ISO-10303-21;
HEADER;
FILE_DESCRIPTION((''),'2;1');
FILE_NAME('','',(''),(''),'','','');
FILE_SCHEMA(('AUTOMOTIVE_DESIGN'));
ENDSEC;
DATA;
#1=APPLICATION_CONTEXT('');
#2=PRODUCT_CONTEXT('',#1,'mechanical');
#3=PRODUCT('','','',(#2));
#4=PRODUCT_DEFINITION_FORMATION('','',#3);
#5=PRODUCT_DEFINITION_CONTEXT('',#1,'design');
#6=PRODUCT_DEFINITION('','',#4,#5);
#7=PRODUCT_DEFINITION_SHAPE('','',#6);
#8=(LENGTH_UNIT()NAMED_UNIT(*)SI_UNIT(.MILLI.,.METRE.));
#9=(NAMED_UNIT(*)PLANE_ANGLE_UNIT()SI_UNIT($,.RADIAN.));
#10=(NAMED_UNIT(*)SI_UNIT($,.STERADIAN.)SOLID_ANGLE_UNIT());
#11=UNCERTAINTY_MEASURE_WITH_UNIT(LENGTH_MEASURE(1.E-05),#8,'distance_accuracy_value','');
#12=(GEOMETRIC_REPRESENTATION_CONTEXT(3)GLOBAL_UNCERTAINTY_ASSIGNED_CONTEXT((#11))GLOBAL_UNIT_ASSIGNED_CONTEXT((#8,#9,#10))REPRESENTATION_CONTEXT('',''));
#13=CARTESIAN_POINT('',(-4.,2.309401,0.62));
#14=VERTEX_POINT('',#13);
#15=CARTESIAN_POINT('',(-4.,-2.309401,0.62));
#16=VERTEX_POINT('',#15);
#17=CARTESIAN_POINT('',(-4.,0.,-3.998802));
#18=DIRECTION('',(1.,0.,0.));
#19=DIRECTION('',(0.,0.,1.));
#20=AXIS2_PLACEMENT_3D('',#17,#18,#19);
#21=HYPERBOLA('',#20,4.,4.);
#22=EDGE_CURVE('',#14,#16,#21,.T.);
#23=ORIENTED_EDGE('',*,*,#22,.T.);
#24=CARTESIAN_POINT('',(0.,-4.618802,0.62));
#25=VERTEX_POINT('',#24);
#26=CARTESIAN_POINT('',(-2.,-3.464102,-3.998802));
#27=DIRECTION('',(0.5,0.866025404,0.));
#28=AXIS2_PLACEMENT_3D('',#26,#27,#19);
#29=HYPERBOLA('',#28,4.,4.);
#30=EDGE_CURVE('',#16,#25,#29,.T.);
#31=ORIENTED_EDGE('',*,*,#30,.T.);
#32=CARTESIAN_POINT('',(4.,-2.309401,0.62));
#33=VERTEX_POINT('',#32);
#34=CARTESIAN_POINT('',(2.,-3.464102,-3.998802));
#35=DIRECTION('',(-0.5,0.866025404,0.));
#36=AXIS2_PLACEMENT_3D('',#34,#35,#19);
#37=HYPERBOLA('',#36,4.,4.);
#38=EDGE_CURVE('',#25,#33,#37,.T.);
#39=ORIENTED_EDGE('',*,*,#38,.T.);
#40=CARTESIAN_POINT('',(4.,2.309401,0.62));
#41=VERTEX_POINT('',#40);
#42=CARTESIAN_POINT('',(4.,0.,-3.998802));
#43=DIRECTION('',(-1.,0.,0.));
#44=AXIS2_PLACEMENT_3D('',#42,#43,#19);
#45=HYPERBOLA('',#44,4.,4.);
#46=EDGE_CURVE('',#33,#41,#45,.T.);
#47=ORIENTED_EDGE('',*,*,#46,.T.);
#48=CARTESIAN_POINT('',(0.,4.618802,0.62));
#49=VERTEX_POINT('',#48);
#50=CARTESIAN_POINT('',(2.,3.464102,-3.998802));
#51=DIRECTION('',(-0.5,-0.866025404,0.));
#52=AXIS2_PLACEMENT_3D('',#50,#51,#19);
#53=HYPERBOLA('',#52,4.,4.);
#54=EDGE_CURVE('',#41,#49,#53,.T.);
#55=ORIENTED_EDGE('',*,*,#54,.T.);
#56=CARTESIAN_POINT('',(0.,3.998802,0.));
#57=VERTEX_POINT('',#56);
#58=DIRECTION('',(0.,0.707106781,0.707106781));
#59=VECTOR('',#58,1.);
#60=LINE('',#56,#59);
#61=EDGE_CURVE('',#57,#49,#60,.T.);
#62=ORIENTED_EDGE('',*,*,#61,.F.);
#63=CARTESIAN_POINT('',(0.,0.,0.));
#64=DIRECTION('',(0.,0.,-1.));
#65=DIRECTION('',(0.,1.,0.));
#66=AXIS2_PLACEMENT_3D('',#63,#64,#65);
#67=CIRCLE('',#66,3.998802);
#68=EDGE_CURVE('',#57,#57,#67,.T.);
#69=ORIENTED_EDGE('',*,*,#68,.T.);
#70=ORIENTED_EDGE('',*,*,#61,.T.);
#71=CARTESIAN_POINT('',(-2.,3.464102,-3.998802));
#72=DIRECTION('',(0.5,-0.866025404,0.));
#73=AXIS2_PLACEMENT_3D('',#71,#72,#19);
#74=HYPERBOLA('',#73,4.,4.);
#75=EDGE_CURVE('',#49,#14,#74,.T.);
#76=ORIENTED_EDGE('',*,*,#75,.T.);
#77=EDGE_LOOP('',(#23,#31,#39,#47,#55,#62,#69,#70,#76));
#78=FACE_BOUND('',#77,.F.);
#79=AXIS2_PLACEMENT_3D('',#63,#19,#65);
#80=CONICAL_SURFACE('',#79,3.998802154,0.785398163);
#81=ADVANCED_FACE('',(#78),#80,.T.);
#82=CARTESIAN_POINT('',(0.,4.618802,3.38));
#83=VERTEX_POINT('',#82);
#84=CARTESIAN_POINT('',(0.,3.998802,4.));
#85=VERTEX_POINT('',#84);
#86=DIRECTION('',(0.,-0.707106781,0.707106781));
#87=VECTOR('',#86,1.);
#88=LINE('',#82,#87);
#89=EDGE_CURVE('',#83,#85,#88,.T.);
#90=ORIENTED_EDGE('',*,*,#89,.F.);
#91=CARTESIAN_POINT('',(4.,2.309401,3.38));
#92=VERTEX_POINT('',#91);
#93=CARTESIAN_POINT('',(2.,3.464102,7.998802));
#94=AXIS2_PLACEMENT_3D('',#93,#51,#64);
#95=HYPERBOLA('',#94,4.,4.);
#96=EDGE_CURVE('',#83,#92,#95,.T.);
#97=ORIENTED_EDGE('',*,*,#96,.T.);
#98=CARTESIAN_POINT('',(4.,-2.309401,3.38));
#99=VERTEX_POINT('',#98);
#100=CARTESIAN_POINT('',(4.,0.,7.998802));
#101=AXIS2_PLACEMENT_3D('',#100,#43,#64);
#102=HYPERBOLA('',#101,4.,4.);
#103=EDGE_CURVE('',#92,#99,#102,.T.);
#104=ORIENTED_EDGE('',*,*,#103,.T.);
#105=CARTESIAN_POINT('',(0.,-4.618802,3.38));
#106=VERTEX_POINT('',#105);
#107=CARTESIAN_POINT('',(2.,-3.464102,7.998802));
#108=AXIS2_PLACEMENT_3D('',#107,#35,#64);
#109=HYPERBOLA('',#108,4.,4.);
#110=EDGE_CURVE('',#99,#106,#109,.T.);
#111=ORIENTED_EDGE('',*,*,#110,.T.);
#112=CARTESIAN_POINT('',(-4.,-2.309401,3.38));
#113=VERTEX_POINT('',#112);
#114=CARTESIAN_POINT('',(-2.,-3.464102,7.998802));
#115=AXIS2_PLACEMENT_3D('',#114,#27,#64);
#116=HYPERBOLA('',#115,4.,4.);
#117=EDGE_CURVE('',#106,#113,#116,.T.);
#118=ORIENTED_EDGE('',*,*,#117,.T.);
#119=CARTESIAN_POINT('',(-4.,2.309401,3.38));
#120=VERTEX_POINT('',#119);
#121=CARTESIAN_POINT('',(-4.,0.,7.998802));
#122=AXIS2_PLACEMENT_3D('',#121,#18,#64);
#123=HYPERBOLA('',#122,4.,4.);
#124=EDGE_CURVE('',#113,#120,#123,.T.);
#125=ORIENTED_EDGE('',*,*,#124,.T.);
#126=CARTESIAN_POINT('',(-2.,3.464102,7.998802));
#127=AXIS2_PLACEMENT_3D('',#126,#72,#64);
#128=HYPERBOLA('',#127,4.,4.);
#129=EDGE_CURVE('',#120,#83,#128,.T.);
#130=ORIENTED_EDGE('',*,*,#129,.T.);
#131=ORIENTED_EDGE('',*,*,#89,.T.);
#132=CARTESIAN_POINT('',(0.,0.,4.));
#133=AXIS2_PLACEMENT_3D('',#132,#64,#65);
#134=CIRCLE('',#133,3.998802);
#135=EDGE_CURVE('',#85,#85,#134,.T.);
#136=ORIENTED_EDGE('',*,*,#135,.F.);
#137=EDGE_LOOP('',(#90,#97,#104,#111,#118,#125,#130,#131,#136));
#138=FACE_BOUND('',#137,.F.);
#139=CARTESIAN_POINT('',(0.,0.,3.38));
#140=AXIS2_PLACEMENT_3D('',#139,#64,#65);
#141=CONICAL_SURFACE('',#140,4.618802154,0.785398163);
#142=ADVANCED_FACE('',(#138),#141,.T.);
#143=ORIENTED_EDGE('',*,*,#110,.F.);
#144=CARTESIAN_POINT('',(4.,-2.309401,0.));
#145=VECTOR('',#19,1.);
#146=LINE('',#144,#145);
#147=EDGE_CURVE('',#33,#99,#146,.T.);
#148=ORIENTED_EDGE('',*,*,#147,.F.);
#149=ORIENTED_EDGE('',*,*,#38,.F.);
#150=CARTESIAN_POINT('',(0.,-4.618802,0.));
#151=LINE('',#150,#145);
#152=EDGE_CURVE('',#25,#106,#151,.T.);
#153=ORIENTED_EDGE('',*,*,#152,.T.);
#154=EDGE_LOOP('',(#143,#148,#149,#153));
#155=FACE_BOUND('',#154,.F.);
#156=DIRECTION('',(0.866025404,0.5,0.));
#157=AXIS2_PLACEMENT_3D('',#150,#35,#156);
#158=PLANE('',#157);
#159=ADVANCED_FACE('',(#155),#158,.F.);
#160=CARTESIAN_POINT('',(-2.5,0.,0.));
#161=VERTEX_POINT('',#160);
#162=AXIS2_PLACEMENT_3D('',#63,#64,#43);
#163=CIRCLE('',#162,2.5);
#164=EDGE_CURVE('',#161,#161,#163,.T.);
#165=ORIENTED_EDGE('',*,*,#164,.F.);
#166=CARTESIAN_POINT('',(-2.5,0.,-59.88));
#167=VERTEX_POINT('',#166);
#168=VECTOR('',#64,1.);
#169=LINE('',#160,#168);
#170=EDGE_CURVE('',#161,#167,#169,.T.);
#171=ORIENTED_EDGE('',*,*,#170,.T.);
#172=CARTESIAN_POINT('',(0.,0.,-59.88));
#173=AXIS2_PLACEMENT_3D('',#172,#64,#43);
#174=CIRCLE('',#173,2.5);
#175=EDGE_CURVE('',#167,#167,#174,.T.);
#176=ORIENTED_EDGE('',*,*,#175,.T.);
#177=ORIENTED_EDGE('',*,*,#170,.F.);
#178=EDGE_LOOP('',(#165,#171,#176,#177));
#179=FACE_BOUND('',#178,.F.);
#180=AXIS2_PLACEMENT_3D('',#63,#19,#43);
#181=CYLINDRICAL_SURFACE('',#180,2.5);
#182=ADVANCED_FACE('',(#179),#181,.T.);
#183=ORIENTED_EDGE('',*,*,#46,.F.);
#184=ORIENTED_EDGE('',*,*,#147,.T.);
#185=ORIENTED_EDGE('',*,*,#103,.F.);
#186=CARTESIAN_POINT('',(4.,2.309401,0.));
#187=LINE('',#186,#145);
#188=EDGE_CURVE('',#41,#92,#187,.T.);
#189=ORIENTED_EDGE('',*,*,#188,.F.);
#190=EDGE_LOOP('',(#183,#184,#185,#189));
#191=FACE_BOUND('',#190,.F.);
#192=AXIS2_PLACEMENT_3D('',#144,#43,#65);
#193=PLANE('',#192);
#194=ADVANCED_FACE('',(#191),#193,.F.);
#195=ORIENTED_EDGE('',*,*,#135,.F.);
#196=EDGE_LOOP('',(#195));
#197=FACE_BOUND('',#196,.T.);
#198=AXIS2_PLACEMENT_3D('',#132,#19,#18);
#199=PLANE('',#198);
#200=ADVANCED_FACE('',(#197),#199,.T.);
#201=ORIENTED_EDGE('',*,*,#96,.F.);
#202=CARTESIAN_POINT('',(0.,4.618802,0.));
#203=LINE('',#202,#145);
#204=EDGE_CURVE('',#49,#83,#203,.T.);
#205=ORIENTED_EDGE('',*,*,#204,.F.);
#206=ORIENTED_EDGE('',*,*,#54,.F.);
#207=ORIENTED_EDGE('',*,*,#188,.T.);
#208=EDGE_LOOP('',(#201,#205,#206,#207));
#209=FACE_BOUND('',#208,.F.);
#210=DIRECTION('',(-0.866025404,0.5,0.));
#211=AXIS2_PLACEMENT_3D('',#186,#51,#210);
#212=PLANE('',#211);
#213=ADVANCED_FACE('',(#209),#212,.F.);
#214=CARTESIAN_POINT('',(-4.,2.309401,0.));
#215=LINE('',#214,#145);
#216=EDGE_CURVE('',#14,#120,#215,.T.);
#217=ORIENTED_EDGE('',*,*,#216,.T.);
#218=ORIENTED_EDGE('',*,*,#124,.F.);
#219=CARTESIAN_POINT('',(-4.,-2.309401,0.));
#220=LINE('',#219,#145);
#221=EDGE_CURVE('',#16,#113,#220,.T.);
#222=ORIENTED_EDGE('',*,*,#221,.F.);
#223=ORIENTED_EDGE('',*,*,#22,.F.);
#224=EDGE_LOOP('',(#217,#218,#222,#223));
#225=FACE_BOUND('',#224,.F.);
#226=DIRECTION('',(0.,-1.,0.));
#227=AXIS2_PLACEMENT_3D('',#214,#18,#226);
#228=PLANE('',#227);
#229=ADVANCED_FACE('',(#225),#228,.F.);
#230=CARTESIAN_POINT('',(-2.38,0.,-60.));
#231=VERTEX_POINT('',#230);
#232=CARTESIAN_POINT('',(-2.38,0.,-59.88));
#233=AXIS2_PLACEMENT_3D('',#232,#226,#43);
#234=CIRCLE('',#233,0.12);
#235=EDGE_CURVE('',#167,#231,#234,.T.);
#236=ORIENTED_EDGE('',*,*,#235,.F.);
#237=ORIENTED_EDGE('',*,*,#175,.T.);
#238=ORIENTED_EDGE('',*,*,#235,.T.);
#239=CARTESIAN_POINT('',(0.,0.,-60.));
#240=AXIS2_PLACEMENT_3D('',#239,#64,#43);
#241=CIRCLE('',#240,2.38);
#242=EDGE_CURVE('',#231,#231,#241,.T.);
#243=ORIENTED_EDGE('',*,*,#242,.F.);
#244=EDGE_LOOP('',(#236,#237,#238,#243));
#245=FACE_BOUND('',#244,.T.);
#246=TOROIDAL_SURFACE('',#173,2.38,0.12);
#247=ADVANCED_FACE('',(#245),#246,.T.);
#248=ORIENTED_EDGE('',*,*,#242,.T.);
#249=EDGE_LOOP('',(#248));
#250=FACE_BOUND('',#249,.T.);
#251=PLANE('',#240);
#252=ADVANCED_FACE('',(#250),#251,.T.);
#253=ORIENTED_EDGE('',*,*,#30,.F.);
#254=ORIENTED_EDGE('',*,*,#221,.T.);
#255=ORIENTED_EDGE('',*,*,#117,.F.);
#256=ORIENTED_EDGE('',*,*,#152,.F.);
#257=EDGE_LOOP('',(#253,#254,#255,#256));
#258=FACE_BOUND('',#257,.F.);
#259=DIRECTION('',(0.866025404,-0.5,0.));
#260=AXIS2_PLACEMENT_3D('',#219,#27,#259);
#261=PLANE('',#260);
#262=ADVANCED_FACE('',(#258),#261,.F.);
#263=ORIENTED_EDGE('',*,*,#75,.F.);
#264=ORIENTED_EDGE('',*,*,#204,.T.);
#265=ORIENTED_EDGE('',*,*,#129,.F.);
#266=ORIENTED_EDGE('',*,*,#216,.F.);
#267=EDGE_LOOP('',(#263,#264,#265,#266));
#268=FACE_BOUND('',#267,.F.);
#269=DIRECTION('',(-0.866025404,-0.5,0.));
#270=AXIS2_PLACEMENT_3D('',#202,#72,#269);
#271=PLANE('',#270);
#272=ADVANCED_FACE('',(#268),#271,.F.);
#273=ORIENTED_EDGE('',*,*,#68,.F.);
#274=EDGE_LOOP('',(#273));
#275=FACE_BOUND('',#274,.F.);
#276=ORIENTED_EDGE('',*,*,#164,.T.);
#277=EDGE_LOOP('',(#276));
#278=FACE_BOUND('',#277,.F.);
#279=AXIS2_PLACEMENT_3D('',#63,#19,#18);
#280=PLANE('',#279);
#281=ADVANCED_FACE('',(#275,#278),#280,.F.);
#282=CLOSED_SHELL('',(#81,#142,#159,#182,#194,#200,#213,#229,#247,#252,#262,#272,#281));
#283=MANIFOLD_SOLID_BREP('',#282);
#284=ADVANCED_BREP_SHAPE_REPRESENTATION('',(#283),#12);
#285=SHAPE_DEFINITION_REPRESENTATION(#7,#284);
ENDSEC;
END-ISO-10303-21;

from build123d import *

# Parameters (mm, degrees)
EXTRUDE_1_DEPTH = 4
SKETCH_3_R      = 2.5
EXTRUDE_2_DEPTH = 60
FILLET_2_R      = 0.12


with BuildPart() as part:
    # 草图1 → 凸台-拉伸1 (new body)
    with BuildSketch(Plane.XY):
        Polygon((0, 4.618802154), (-4, 2.309401077), (-4, -2.309401077), (0, -4.618802154), (4, -2.309401077), (4, 2.309401077), align=None)
    extrude(amount=EXTRUDE_1_DEPTH)

    # 草图2 → 切除-旋转1 (revolve, cut)
    with BuildSketch(Plane(origin=(0, 0, 0), x_dir=(0, 0, -1), z_dir=(1, 0, 0))):
        Polygon((0, 4.618802154), (0, 3.998802154), (-0.62, 4.618802154), align=None)
        Polygon((-3.38, 4.618802154), (-4, 3.998802154), (-4, 4.618802154), align=None)
    revolve(axis=Axis((0, 0, 0), (0, 0, -1)), mode=Mode.SUBTRACT)

    # 草图3 → 凸台-拉伸2 (add)
    with BuildSketch(Plane(origin=(0, 0, 0), x_dir=(-1, 0, 0), z_dir=(0, 0, -1))):
        Circle(SKETCH_3_R)
    extrude(amount=EXTRUDE_2_DEPTH)

    # 圆角2
    fillet_2_edges = [part.edges().sort_by_distance(p)[0] for p in [
        (2.5, 0, -60),
    ]]
    fillet(fillet_2_edges, radius=FILLET_2_R)


solid = part.part
